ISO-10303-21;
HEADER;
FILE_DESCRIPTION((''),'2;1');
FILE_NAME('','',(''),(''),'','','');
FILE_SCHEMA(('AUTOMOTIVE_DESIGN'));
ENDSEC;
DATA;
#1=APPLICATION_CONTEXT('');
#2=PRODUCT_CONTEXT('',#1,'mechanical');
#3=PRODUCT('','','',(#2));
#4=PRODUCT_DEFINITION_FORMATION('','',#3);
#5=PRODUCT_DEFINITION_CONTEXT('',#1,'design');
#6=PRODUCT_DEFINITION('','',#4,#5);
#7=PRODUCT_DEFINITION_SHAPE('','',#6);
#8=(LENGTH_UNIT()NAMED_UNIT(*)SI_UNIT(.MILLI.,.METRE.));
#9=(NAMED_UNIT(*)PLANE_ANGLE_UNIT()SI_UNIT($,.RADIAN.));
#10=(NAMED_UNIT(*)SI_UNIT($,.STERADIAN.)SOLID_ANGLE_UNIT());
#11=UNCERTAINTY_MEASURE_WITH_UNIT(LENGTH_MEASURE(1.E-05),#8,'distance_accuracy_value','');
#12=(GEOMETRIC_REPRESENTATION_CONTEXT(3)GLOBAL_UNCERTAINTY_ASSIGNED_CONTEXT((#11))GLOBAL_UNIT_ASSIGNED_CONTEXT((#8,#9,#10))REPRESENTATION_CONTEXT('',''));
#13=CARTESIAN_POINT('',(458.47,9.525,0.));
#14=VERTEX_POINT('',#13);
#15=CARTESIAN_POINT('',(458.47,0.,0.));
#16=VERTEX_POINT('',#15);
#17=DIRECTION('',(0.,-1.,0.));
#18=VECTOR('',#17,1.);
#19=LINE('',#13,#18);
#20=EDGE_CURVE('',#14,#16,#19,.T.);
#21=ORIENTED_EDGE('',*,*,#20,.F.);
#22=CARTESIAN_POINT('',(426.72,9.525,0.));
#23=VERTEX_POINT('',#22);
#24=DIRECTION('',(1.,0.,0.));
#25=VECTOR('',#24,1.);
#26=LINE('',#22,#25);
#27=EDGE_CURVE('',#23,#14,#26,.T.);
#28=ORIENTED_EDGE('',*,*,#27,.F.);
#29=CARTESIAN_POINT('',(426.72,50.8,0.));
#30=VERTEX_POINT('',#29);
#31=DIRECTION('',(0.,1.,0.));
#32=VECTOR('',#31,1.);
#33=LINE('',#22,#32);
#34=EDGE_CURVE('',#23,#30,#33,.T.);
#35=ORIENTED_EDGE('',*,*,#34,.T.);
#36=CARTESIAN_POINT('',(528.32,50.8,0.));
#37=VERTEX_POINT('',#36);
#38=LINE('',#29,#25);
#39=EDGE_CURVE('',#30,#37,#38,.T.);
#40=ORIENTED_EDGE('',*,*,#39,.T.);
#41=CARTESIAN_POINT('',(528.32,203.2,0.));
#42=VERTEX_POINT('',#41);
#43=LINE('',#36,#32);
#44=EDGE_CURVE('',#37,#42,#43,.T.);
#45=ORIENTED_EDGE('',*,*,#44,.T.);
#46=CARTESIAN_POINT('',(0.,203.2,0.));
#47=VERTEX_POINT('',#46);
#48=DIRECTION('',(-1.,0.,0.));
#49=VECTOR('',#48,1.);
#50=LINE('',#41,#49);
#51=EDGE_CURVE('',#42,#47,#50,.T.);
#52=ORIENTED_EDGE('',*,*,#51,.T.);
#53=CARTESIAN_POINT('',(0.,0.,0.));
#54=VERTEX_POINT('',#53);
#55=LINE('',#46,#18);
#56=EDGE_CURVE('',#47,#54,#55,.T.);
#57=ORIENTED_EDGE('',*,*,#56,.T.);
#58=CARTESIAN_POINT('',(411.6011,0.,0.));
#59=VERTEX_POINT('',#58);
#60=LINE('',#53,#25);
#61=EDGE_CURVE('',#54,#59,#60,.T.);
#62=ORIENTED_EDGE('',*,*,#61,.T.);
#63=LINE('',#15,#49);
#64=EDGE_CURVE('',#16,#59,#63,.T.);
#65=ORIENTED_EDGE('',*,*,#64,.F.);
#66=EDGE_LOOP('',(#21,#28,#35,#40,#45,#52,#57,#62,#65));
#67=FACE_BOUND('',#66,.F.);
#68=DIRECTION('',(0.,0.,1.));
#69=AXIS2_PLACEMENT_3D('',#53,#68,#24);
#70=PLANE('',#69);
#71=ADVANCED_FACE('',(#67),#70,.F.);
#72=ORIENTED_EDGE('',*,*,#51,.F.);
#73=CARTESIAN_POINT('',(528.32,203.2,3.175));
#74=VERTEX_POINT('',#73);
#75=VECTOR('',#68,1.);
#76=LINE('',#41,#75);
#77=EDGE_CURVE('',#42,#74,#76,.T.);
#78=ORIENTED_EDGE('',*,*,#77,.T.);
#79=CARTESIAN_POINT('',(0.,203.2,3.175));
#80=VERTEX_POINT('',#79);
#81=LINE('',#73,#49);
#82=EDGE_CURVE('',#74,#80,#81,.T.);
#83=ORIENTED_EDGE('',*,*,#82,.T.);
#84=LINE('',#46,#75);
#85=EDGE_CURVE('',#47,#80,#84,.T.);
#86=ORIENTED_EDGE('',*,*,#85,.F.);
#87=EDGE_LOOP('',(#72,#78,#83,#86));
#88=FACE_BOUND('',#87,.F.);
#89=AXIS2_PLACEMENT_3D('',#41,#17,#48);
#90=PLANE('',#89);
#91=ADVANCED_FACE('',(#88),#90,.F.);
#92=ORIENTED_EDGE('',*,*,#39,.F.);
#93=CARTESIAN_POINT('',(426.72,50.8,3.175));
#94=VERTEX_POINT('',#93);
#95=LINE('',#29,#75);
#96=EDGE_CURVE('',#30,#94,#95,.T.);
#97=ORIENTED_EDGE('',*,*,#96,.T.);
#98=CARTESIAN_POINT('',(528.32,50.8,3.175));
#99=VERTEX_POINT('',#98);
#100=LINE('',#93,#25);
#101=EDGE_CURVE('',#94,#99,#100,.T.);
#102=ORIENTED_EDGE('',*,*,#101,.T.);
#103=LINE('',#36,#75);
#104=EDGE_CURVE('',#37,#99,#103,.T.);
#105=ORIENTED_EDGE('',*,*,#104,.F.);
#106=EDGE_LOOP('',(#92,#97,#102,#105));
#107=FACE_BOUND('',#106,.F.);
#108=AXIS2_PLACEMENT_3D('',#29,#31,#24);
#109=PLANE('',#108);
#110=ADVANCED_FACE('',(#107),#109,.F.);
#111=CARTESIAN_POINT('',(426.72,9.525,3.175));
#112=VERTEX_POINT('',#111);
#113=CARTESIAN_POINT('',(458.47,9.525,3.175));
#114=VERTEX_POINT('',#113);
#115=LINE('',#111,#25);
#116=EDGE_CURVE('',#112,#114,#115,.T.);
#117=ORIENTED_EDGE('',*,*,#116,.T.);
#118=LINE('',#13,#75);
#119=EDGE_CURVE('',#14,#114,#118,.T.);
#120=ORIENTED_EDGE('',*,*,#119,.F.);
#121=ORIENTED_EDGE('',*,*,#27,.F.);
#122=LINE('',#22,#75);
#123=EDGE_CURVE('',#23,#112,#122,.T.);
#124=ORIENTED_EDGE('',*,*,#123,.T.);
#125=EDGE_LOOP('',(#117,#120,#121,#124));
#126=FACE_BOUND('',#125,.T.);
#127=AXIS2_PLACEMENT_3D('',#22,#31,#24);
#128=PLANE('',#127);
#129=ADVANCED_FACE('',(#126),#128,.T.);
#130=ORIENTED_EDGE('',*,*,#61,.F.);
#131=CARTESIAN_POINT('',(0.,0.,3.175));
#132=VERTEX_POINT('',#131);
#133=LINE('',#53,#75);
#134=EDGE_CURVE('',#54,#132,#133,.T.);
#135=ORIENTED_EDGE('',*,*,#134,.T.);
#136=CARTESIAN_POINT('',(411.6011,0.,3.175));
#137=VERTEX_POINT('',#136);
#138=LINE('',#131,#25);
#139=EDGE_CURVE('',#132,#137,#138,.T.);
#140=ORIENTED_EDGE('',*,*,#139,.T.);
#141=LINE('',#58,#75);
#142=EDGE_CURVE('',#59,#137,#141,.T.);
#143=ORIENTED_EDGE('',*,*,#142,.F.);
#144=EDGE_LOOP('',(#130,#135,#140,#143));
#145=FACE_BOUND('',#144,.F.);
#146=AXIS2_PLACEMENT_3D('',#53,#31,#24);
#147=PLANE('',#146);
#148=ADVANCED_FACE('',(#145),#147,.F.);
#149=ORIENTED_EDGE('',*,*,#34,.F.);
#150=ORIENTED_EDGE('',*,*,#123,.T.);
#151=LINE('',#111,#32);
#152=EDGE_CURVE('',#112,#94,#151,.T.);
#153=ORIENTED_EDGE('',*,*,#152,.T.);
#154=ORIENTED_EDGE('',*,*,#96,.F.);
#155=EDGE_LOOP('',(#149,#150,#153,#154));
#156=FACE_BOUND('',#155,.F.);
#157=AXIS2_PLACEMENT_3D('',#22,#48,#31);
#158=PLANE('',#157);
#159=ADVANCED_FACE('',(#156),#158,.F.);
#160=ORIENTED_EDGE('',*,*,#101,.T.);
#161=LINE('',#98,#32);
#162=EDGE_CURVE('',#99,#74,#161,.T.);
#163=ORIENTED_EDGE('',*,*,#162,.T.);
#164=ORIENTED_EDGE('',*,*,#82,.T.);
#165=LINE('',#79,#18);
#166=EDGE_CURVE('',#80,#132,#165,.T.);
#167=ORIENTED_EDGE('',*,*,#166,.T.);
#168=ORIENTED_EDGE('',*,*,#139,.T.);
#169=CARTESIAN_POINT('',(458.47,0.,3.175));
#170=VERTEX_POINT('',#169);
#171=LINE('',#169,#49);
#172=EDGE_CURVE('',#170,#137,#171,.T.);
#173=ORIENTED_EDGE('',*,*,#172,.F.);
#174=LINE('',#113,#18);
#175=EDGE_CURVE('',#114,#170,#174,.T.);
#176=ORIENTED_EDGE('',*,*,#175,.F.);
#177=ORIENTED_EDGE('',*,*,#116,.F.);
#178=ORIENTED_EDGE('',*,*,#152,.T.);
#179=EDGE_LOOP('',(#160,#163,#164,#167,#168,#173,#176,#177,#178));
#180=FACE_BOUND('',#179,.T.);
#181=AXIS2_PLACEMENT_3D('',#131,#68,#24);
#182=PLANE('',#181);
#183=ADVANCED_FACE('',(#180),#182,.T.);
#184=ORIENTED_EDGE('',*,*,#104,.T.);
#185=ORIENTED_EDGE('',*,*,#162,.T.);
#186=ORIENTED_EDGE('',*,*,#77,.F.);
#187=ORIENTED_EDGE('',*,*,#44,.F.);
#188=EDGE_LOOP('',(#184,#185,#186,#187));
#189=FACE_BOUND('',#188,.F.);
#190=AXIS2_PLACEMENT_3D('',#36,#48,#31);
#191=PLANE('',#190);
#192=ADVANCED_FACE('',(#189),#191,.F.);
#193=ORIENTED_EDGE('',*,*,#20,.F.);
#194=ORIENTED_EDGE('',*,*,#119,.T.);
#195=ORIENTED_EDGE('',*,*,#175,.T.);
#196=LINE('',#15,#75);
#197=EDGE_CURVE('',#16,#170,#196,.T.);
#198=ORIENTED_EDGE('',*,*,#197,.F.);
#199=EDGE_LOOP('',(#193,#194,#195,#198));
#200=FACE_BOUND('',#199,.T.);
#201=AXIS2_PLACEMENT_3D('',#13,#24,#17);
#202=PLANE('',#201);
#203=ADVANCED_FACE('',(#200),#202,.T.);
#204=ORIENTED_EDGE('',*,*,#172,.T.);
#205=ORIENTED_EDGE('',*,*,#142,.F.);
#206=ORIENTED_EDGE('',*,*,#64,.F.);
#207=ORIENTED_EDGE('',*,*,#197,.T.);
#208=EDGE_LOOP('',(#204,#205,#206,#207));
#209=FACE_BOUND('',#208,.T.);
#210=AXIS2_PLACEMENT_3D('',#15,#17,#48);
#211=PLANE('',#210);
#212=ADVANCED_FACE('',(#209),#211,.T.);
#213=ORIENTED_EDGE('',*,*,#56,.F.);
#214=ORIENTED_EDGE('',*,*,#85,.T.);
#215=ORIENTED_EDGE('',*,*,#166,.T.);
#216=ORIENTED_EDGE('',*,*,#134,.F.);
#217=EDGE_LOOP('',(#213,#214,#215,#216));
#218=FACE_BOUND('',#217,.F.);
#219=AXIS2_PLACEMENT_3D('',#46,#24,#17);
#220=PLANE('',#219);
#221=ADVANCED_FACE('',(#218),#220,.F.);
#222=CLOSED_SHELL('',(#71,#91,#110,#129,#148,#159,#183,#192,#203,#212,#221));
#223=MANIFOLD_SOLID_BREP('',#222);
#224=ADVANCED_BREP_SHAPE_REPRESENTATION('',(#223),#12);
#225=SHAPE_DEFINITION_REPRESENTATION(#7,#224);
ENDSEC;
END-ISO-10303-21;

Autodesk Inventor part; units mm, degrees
ref_plane "YZ Plane" through (0, 0, 0) normal (1, 0, 0) x (0, 1, 0)
ref_plane "XZ Plane" through (0, 0, 0) normal (0, 1, 0) x (-1, 0, 0)
ref_plane "XY Plane" through (0, 0, 0) normal (0, 0, 1) x (1, 0, 0)
sketch "Sketch1" plane through (0, 0, 0) normal (0, 0, 1) x (1, 0, 0)
  line L0 (0, 0) -> (411.6011, 0)
  line L1 (528.32, 50.8) -> (528.32, 203.2)
  line L2 (528.32, 203.2) -> (0, 203.2)
  line L3 (0, 203.2) -> (0, 0)
  line L4 (426.72, 9.525) -> (426.72, 50.8)
  line L5 (426.72, 50.8) -> (528.32, 50.8)
  line L6 (426.72, 9.525) -> (458.47, 9.525)
  line L7 (458.47, 9.525) -> (458.47, 0)
  line L8 (458.47, 0) -> (411.6011, 0)
  dimension "d0" = 528.32
  dimension "d1" = 203.2
  dimension "d5" = 101.6
  dimension "d6" = 31.75
  dimension "d7" = 9.525
  dimension "d8" = 50.8
extrude "Extrusion1" add sketch "Sketch1" along normal blind 3.175
properties part number "Robot Side" material "Polycarbonate, Clear"
